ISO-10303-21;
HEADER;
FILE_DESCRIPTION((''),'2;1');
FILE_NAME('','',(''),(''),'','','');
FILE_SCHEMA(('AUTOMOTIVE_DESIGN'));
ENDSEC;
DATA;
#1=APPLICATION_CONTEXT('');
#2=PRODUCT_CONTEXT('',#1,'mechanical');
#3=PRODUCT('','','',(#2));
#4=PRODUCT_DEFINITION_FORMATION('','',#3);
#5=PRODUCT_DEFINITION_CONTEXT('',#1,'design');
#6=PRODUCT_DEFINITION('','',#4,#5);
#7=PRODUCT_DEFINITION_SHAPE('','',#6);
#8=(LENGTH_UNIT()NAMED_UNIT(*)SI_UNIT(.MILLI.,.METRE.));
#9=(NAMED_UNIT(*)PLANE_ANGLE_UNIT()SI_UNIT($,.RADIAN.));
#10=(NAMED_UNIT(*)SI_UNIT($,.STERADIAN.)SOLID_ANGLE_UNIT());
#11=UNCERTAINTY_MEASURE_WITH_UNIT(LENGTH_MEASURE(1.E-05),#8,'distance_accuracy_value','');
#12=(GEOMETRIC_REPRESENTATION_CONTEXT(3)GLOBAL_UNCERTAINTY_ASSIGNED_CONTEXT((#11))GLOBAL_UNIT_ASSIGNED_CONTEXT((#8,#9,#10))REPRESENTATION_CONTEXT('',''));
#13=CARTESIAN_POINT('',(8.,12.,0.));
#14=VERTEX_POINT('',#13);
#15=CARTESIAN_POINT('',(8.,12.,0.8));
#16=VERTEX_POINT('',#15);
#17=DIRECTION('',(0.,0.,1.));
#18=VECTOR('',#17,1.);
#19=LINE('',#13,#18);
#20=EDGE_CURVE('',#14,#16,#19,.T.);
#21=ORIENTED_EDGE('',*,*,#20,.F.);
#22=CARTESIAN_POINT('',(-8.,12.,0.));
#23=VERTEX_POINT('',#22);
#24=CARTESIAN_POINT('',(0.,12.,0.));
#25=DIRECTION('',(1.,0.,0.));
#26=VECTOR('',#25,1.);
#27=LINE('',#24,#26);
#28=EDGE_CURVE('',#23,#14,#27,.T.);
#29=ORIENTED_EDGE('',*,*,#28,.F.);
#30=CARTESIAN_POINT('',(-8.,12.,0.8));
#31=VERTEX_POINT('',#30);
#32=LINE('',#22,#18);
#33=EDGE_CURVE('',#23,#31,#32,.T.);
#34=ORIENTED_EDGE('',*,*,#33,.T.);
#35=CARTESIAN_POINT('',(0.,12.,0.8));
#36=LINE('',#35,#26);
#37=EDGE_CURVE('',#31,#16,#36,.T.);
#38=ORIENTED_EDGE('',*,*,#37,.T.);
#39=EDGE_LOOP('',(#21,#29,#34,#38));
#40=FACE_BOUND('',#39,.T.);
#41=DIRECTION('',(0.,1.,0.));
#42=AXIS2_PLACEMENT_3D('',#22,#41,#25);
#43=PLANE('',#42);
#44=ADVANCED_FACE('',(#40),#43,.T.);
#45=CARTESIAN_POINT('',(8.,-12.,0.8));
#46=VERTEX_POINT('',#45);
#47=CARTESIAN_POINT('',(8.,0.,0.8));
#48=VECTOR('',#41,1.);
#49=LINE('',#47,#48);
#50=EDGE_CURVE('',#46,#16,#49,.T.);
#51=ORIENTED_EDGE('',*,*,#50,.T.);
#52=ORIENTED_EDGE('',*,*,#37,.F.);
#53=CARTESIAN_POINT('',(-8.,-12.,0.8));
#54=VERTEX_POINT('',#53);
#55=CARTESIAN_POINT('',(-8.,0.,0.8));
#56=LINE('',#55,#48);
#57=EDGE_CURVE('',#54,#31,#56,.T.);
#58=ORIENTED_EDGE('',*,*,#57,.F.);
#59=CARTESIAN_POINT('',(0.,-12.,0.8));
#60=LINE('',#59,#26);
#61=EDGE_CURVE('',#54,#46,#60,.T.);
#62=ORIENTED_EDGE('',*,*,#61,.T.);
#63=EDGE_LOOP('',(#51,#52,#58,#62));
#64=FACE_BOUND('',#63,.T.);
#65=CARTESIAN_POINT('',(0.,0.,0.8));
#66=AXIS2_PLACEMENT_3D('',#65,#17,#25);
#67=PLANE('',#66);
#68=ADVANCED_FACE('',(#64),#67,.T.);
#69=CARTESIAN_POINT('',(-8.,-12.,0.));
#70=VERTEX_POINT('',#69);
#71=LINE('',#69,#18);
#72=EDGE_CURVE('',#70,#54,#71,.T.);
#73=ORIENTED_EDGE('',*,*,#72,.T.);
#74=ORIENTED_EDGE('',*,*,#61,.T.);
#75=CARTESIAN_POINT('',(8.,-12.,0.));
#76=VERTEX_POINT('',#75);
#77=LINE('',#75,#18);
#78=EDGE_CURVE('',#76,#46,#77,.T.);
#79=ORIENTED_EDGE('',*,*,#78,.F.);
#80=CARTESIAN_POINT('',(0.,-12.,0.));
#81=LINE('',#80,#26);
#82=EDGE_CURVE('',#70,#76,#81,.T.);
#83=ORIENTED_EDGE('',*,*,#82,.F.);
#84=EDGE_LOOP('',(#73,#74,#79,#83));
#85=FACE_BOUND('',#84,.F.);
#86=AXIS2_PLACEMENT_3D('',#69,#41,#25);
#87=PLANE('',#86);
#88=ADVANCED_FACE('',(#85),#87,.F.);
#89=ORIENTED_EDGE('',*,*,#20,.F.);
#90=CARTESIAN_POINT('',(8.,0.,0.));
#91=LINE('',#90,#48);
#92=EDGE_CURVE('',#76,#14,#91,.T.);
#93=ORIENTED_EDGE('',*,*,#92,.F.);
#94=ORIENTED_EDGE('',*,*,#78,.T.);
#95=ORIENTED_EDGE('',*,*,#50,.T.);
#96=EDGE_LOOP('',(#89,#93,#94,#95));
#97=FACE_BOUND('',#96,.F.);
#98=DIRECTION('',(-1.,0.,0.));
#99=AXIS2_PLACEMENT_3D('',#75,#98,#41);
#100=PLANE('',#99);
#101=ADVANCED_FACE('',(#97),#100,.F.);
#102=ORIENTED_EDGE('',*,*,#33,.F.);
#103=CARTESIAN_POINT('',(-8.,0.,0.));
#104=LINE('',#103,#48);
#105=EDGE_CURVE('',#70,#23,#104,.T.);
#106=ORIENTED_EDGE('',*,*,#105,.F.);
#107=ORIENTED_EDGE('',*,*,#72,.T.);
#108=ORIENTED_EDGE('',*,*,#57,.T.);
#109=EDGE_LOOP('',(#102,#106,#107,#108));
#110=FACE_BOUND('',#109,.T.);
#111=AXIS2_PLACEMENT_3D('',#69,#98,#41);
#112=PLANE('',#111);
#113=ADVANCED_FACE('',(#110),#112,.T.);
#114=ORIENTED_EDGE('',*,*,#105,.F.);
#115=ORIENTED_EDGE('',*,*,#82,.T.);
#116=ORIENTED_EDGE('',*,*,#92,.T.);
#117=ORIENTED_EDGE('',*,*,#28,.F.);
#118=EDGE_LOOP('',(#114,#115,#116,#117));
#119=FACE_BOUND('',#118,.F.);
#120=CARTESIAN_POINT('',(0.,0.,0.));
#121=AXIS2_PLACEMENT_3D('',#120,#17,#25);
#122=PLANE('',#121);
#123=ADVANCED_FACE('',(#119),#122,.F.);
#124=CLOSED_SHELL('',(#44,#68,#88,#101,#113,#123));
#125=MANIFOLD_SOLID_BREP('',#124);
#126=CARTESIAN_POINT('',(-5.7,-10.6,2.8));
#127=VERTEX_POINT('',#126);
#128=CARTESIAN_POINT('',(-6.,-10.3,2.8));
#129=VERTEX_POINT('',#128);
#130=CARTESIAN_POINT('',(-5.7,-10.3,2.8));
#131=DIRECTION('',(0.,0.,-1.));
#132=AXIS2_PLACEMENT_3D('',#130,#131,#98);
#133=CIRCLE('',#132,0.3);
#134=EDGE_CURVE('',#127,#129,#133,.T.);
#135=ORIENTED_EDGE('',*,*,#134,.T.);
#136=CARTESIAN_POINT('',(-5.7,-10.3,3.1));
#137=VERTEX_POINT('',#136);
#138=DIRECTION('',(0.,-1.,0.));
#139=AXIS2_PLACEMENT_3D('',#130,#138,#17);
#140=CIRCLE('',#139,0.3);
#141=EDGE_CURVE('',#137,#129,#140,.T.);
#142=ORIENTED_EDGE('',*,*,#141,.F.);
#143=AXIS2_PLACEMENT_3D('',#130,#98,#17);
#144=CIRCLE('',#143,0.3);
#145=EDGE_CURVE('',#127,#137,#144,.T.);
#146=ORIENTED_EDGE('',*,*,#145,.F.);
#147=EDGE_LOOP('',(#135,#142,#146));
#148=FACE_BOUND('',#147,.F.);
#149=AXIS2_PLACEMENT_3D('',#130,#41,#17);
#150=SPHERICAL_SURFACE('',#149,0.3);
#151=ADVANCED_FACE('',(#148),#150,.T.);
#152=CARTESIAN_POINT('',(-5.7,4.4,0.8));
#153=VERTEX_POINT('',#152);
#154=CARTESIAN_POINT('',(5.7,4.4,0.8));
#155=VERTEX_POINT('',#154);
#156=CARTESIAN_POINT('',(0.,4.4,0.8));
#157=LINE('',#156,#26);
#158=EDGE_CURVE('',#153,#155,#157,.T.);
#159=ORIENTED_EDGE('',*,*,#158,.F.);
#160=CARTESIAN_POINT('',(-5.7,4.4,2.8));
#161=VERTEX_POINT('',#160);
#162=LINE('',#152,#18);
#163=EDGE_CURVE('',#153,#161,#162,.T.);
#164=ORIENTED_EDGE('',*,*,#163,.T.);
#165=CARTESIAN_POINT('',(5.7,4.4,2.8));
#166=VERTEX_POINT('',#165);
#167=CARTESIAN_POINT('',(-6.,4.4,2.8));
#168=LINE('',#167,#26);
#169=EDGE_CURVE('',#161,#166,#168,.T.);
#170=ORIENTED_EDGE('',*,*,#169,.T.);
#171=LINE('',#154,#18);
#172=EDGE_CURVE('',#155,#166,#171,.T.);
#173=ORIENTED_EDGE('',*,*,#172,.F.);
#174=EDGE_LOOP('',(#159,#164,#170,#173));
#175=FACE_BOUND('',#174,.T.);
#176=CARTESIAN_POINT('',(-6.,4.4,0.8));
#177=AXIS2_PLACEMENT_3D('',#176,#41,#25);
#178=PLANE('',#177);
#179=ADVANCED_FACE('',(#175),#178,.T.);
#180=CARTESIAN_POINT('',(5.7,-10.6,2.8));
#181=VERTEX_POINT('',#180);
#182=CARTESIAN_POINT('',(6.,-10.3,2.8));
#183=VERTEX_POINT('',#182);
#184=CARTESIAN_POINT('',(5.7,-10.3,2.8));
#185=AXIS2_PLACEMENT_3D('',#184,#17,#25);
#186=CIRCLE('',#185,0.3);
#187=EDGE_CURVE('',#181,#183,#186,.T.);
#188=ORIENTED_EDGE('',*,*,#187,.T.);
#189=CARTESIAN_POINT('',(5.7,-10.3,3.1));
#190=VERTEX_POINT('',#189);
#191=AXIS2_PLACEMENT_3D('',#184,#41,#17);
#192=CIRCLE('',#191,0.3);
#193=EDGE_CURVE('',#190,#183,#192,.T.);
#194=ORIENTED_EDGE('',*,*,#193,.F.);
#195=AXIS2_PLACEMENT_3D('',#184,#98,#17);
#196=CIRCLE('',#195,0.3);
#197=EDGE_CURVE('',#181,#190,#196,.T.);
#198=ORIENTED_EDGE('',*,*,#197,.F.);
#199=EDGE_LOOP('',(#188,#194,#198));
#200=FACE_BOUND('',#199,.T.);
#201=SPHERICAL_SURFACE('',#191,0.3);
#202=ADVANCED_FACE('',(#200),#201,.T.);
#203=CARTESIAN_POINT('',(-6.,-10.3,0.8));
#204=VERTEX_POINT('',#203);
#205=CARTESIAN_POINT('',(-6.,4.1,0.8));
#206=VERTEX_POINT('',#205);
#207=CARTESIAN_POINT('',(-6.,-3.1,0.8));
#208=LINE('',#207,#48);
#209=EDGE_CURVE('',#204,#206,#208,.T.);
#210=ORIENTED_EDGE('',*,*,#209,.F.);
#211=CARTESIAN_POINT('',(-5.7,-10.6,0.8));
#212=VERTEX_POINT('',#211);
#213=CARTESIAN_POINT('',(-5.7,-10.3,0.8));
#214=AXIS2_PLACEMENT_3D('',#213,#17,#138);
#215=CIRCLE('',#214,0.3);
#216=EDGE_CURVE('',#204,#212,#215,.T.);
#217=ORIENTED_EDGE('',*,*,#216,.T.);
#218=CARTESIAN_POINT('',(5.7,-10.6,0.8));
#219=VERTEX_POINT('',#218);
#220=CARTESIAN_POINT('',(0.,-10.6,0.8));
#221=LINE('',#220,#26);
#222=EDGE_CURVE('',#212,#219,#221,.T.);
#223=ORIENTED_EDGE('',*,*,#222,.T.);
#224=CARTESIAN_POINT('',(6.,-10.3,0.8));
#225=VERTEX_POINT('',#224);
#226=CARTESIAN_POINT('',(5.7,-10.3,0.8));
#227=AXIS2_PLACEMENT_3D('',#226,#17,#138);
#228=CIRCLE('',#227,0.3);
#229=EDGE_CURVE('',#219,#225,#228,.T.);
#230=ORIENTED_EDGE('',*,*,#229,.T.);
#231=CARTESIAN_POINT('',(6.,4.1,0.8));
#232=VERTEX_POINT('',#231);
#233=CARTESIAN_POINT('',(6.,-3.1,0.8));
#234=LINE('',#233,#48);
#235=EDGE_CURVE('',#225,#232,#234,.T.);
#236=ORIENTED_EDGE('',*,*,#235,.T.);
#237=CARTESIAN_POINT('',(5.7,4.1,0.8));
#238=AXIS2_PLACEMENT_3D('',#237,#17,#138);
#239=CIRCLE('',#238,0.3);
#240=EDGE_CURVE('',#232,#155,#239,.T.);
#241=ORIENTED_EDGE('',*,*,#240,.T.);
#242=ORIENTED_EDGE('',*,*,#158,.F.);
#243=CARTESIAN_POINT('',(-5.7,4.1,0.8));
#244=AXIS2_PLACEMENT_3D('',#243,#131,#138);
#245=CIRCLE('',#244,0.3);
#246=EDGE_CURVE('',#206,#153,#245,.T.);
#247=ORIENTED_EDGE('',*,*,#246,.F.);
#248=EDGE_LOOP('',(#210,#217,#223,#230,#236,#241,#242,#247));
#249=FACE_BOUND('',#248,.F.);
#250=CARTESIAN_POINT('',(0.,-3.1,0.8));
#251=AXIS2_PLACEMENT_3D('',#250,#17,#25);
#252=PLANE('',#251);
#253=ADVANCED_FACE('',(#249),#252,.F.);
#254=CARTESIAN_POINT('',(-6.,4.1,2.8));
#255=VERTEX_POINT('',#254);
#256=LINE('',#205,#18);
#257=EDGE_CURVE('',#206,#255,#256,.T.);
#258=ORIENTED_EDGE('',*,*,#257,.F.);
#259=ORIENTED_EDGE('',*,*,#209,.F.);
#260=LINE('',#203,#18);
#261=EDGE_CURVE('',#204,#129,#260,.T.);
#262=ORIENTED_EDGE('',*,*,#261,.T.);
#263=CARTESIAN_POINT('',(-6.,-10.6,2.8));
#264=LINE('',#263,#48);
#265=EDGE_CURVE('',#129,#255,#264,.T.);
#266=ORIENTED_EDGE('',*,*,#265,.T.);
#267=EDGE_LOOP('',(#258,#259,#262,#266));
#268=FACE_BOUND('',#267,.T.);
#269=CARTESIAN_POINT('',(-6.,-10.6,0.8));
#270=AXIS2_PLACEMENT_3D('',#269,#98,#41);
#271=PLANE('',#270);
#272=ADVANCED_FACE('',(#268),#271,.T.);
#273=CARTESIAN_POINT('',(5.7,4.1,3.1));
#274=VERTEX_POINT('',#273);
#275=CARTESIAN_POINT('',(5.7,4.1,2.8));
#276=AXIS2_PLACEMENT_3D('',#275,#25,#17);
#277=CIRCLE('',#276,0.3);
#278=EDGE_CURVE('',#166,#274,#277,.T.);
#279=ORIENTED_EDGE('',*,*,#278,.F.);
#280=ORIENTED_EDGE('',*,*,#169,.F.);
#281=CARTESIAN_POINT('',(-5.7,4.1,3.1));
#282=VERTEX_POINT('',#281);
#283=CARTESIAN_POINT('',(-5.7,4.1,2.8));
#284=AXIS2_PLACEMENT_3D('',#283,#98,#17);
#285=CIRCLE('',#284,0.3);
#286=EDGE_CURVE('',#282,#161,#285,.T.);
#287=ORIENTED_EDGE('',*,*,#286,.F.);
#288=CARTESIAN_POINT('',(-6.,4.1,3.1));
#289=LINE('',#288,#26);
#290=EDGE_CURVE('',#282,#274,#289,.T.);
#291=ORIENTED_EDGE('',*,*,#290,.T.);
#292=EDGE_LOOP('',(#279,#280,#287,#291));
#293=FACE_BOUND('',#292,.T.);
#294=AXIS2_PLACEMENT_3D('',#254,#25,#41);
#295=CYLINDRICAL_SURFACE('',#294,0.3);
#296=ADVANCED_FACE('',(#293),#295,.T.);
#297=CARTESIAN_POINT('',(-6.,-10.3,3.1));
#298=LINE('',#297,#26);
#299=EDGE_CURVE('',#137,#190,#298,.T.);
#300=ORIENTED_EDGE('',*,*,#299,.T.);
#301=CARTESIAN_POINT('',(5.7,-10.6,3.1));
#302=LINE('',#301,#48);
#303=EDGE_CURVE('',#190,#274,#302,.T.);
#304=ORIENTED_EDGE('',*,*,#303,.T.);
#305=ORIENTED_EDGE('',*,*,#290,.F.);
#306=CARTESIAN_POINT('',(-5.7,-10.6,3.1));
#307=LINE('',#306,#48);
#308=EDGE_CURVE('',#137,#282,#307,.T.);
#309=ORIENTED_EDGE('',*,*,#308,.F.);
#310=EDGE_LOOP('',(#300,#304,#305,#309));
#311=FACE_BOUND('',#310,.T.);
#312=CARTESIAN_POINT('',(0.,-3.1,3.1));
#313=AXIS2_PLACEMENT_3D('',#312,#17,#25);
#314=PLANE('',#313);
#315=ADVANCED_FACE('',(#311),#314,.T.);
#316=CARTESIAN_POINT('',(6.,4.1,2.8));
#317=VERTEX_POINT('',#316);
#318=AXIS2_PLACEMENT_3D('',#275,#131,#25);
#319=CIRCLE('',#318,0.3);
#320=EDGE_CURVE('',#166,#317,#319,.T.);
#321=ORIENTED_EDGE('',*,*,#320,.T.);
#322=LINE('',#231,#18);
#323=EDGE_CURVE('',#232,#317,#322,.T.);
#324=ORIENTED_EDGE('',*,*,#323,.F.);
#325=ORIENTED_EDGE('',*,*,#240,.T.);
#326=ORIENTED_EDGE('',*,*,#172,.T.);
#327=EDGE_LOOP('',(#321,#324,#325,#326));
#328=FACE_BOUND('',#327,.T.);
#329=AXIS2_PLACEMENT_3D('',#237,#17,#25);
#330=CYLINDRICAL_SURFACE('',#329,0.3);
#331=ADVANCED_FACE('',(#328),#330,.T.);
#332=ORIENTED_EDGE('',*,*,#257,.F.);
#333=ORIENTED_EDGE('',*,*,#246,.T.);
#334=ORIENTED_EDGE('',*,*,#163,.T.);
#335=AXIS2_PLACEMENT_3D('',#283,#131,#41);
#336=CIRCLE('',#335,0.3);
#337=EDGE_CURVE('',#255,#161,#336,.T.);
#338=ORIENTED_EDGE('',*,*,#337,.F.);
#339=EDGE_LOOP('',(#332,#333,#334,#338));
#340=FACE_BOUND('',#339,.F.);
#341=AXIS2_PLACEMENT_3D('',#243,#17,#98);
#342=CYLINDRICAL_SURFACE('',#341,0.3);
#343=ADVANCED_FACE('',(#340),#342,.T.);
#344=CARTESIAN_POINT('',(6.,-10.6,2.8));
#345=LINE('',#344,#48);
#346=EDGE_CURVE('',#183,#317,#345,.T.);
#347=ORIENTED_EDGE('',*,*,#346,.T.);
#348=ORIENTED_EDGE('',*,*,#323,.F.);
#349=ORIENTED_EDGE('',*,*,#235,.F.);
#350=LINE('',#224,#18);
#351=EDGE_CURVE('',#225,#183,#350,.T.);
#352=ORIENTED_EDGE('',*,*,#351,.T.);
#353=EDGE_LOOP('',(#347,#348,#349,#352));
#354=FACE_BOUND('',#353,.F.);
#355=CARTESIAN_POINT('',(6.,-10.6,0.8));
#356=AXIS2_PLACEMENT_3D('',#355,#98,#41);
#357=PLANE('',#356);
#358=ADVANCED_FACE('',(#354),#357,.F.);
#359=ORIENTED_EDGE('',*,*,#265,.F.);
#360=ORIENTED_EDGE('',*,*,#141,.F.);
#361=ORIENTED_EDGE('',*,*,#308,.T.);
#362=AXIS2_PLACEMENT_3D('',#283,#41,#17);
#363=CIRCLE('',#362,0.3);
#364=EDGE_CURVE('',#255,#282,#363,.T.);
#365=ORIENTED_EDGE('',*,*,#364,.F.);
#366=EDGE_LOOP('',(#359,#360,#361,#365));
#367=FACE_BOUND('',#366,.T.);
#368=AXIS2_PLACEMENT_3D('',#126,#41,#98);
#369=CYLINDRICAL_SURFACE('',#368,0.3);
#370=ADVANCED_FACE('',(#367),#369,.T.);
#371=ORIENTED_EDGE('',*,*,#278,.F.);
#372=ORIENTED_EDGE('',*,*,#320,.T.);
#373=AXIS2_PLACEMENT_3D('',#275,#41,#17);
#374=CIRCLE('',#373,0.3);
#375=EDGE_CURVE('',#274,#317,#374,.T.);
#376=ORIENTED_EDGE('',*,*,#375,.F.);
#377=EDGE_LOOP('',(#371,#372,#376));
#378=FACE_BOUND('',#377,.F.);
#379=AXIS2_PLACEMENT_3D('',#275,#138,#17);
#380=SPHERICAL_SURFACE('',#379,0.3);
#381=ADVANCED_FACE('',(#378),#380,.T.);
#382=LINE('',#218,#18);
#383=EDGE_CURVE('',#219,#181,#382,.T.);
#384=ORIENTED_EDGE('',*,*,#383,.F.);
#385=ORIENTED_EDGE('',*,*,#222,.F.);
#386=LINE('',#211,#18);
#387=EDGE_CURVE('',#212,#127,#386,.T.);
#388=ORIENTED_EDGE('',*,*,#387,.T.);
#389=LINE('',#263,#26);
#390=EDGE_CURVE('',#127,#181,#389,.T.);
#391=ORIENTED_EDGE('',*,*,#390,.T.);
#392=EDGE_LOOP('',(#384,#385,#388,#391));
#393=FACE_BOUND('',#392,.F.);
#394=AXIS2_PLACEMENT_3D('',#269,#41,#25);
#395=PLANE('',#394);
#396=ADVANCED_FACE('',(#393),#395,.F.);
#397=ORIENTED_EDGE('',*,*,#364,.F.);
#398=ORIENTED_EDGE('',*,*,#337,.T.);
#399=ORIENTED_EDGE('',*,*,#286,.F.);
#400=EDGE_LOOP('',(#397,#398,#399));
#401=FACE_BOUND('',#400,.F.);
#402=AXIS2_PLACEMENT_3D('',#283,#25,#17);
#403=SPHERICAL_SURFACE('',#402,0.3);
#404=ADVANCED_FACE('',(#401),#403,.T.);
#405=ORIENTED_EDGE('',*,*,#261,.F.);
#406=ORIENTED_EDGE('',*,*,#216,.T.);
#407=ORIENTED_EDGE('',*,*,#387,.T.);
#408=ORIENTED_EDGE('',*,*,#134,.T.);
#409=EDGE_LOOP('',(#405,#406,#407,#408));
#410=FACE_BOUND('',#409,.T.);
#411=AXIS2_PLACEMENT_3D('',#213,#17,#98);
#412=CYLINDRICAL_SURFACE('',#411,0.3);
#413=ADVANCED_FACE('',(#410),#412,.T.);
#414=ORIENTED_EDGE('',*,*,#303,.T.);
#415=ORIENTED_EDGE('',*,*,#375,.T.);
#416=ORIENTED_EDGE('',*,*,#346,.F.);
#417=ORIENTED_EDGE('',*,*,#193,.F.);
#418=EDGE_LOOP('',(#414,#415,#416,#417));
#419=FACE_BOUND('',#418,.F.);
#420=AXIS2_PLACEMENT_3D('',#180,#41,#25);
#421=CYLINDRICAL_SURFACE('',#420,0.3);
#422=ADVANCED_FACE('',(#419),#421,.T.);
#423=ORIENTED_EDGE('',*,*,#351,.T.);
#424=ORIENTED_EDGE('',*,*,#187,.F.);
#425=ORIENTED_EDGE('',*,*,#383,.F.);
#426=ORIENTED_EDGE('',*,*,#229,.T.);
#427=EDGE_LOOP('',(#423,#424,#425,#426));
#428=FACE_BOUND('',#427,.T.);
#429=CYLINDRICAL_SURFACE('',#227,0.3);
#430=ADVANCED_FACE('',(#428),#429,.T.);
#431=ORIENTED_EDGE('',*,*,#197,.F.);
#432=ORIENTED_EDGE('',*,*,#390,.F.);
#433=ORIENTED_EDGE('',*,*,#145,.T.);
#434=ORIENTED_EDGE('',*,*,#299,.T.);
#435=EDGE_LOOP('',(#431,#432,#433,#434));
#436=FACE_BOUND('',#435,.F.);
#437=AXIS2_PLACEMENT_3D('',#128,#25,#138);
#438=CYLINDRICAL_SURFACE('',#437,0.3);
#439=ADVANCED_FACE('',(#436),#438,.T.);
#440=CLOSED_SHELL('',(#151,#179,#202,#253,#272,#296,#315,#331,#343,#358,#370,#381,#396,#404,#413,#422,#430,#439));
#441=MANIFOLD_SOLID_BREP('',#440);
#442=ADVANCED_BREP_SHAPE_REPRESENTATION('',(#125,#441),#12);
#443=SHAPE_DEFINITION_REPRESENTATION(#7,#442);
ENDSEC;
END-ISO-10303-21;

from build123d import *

# Parameters (mm, degrees)
F0_W     = 16
F0_H     = 24
F1_DEPTH = 0.8
F2_W     = 12
F2_H     = 15
F3_DEPTH = 2.3
F4_R     = 0.3


with BuildPart() as f1:
    # F0 (on Top) → F1 (new body)
    with BuildSketch(Plane.XY):
        Rectangle(F0_W, F0_H)
    extrude(amount=F1_DEPTH)


with BuildPart() as f3:
    # F2 (on face) → F3 (new body)
    with BuildSketch(Plane.XY.offset(0.8)):
        with Locations((0, -3.1)):
            Rectangle(F2_W, F2_H)
    extrude(amount=F3_DEPTH)

    # F4
    f4_edges = [f3.edges().sort_by_distance(p)[0] for p in [
        (6, -3.1, 3.1),
        (0, 4.4, 3.1),
        (-6, -3.1, 3.1),
        (0, -10.6, 3.1),
        (-6, 4.4, 1.95),
        (6, 4.4, 1.95),
        (-6, -10.6, 1.95),
        (6, -10.6, 1.95),
    ]]
    fillet(f4_edges, radius=F4_R)


solid = Compound([f1.part, f3.part])
